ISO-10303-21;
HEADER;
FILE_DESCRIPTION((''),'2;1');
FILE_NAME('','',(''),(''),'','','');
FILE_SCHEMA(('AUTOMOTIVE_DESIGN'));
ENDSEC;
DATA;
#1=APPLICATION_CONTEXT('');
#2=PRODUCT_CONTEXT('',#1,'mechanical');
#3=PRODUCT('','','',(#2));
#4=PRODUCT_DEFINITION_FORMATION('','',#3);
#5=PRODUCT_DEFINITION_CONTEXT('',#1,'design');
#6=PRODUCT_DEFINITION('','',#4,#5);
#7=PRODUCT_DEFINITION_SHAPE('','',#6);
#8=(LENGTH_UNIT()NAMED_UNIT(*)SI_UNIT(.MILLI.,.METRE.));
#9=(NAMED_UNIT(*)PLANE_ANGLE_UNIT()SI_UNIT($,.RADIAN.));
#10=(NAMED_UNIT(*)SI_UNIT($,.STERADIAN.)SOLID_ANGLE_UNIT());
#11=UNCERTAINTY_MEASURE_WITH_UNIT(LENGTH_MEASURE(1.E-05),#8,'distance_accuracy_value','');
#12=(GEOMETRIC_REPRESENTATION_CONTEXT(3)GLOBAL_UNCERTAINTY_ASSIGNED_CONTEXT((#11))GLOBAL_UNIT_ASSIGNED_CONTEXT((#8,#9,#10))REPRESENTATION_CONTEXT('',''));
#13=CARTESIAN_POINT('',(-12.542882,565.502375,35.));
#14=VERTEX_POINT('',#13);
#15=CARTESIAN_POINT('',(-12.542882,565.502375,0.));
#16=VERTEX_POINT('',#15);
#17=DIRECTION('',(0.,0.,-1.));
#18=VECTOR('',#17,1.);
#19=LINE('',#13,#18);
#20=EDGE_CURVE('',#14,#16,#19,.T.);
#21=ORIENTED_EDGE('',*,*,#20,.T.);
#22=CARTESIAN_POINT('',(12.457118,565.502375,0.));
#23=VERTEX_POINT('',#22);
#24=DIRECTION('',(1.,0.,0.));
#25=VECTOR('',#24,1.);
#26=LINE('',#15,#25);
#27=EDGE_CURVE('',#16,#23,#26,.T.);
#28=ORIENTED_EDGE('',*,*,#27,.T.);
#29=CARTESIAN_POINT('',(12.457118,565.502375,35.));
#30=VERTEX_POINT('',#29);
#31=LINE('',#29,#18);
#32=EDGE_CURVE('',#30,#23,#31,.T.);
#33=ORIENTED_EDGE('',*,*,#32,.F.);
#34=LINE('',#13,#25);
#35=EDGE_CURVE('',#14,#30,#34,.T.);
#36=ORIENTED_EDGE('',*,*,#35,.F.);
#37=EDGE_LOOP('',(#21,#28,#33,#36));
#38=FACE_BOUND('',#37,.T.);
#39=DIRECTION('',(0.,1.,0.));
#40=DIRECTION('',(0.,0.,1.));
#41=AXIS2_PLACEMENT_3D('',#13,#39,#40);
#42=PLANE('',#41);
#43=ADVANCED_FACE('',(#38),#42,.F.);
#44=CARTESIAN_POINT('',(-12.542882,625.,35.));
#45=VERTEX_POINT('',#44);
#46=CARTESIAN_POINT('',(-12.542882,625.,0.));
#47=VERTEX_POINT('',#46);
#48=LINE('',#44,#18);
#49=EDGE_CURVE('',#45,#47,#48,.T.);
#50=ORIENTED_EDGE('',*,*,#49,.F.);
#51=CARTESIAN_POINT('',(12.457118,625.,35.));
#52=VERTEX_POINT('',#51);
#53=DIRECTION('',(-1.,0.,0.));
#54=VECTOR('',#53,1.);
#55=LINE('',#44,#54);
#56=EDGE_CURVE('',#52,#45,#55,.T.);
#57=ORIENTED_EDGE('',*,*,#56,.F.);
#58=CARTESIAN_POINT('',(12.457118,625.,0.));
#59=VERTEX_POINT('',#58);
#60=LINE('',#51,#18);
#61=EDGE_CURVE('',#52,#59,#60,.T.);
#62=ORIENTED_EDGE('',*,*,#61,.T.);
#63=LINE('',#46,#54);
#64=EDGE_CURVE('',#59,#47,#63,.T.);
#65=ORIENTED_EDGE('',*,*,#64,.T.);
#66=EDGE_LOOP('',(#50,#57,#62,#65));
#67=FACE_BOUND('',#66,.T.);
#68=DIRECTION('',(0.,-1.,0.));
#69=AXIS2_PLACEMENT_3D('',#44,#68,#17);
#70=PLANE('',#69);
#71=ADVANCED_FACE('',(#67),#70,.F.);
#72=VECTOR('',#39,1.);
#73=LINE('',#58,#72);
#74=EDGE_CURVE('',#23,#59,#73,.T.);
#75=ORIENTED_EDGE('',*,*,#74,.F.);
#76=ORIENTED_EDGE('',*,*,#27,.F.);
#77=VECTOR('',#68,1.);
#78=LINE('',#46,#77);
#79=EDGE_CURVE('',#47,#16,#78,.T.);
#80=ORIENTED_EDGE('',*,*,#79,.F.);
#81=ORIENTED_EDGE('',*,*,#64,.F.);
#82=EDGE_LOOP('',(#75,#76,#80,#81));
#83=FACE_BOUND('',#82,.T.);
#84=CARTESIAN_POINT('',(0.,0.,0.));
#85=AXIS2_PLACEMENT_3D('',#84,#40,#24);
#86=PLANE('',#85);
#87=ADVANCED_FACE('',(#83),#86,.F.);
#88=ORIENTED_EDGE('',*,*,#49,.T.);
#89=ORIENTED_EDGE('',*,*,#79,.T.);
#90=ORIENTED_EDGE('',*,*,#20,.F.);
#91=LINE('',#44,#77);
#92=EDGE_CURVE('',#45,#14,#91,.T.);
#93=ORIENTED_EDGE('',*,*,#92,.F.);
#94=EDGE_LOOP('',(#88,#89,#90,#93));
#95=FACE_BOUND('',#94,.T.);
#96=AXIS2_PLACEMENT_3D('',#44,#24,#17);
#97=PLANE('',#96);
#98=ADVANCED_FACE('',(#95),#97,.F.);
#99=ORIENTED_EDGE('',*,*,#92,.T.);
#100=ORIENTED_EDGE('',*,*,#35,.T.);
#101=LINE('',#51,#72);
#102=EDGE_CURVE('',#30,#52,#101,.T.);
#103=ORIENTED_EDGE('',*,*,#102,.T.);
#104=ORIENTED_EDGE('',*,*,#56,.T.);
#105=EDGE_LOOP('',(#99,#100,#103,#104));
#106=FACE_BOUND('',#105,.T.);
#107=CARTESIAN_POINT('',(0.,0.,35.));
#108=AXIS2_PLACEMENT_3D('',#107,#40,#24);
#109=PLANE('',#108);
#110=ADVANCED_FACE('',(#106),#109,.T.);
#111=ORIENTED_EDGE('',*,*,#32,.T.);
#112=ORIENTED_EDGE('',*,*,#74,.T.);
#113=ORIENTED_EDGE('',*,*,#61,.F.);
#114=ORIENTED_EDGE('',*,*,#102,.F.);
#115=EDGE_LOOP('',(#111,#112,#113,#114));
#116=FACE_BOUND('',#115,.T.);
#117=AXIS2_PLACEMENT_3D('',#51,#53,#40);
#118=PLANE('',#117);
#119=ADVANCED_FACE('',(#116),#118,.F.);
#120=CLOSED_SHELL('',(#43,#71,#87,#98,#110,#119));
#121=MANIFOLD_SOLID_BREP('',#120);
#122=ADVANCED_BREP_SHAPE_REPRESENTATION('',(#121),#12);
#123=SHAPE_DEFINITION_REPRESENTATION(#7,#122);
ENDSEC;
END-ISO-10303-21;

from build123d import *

# Parameters (mm, degrees)
SKETCH1_W           = 25
SKETCH1_H           = 59.497625249
BOSS_EXTRUDE1_DEPTH = 35


with BuildPart() as part:
    # Sketch1 → Boss-Extrude1 (new body)
    with BuildSketch(Plane.XY):
        with Locations((-0.042882398, 595.251187375)):
            Rectangle(SKETCH1_W, SKETCH1_H)
    extrude(amount=BOSS_EXTRUDE1_DEPTH)


solid = part.part
